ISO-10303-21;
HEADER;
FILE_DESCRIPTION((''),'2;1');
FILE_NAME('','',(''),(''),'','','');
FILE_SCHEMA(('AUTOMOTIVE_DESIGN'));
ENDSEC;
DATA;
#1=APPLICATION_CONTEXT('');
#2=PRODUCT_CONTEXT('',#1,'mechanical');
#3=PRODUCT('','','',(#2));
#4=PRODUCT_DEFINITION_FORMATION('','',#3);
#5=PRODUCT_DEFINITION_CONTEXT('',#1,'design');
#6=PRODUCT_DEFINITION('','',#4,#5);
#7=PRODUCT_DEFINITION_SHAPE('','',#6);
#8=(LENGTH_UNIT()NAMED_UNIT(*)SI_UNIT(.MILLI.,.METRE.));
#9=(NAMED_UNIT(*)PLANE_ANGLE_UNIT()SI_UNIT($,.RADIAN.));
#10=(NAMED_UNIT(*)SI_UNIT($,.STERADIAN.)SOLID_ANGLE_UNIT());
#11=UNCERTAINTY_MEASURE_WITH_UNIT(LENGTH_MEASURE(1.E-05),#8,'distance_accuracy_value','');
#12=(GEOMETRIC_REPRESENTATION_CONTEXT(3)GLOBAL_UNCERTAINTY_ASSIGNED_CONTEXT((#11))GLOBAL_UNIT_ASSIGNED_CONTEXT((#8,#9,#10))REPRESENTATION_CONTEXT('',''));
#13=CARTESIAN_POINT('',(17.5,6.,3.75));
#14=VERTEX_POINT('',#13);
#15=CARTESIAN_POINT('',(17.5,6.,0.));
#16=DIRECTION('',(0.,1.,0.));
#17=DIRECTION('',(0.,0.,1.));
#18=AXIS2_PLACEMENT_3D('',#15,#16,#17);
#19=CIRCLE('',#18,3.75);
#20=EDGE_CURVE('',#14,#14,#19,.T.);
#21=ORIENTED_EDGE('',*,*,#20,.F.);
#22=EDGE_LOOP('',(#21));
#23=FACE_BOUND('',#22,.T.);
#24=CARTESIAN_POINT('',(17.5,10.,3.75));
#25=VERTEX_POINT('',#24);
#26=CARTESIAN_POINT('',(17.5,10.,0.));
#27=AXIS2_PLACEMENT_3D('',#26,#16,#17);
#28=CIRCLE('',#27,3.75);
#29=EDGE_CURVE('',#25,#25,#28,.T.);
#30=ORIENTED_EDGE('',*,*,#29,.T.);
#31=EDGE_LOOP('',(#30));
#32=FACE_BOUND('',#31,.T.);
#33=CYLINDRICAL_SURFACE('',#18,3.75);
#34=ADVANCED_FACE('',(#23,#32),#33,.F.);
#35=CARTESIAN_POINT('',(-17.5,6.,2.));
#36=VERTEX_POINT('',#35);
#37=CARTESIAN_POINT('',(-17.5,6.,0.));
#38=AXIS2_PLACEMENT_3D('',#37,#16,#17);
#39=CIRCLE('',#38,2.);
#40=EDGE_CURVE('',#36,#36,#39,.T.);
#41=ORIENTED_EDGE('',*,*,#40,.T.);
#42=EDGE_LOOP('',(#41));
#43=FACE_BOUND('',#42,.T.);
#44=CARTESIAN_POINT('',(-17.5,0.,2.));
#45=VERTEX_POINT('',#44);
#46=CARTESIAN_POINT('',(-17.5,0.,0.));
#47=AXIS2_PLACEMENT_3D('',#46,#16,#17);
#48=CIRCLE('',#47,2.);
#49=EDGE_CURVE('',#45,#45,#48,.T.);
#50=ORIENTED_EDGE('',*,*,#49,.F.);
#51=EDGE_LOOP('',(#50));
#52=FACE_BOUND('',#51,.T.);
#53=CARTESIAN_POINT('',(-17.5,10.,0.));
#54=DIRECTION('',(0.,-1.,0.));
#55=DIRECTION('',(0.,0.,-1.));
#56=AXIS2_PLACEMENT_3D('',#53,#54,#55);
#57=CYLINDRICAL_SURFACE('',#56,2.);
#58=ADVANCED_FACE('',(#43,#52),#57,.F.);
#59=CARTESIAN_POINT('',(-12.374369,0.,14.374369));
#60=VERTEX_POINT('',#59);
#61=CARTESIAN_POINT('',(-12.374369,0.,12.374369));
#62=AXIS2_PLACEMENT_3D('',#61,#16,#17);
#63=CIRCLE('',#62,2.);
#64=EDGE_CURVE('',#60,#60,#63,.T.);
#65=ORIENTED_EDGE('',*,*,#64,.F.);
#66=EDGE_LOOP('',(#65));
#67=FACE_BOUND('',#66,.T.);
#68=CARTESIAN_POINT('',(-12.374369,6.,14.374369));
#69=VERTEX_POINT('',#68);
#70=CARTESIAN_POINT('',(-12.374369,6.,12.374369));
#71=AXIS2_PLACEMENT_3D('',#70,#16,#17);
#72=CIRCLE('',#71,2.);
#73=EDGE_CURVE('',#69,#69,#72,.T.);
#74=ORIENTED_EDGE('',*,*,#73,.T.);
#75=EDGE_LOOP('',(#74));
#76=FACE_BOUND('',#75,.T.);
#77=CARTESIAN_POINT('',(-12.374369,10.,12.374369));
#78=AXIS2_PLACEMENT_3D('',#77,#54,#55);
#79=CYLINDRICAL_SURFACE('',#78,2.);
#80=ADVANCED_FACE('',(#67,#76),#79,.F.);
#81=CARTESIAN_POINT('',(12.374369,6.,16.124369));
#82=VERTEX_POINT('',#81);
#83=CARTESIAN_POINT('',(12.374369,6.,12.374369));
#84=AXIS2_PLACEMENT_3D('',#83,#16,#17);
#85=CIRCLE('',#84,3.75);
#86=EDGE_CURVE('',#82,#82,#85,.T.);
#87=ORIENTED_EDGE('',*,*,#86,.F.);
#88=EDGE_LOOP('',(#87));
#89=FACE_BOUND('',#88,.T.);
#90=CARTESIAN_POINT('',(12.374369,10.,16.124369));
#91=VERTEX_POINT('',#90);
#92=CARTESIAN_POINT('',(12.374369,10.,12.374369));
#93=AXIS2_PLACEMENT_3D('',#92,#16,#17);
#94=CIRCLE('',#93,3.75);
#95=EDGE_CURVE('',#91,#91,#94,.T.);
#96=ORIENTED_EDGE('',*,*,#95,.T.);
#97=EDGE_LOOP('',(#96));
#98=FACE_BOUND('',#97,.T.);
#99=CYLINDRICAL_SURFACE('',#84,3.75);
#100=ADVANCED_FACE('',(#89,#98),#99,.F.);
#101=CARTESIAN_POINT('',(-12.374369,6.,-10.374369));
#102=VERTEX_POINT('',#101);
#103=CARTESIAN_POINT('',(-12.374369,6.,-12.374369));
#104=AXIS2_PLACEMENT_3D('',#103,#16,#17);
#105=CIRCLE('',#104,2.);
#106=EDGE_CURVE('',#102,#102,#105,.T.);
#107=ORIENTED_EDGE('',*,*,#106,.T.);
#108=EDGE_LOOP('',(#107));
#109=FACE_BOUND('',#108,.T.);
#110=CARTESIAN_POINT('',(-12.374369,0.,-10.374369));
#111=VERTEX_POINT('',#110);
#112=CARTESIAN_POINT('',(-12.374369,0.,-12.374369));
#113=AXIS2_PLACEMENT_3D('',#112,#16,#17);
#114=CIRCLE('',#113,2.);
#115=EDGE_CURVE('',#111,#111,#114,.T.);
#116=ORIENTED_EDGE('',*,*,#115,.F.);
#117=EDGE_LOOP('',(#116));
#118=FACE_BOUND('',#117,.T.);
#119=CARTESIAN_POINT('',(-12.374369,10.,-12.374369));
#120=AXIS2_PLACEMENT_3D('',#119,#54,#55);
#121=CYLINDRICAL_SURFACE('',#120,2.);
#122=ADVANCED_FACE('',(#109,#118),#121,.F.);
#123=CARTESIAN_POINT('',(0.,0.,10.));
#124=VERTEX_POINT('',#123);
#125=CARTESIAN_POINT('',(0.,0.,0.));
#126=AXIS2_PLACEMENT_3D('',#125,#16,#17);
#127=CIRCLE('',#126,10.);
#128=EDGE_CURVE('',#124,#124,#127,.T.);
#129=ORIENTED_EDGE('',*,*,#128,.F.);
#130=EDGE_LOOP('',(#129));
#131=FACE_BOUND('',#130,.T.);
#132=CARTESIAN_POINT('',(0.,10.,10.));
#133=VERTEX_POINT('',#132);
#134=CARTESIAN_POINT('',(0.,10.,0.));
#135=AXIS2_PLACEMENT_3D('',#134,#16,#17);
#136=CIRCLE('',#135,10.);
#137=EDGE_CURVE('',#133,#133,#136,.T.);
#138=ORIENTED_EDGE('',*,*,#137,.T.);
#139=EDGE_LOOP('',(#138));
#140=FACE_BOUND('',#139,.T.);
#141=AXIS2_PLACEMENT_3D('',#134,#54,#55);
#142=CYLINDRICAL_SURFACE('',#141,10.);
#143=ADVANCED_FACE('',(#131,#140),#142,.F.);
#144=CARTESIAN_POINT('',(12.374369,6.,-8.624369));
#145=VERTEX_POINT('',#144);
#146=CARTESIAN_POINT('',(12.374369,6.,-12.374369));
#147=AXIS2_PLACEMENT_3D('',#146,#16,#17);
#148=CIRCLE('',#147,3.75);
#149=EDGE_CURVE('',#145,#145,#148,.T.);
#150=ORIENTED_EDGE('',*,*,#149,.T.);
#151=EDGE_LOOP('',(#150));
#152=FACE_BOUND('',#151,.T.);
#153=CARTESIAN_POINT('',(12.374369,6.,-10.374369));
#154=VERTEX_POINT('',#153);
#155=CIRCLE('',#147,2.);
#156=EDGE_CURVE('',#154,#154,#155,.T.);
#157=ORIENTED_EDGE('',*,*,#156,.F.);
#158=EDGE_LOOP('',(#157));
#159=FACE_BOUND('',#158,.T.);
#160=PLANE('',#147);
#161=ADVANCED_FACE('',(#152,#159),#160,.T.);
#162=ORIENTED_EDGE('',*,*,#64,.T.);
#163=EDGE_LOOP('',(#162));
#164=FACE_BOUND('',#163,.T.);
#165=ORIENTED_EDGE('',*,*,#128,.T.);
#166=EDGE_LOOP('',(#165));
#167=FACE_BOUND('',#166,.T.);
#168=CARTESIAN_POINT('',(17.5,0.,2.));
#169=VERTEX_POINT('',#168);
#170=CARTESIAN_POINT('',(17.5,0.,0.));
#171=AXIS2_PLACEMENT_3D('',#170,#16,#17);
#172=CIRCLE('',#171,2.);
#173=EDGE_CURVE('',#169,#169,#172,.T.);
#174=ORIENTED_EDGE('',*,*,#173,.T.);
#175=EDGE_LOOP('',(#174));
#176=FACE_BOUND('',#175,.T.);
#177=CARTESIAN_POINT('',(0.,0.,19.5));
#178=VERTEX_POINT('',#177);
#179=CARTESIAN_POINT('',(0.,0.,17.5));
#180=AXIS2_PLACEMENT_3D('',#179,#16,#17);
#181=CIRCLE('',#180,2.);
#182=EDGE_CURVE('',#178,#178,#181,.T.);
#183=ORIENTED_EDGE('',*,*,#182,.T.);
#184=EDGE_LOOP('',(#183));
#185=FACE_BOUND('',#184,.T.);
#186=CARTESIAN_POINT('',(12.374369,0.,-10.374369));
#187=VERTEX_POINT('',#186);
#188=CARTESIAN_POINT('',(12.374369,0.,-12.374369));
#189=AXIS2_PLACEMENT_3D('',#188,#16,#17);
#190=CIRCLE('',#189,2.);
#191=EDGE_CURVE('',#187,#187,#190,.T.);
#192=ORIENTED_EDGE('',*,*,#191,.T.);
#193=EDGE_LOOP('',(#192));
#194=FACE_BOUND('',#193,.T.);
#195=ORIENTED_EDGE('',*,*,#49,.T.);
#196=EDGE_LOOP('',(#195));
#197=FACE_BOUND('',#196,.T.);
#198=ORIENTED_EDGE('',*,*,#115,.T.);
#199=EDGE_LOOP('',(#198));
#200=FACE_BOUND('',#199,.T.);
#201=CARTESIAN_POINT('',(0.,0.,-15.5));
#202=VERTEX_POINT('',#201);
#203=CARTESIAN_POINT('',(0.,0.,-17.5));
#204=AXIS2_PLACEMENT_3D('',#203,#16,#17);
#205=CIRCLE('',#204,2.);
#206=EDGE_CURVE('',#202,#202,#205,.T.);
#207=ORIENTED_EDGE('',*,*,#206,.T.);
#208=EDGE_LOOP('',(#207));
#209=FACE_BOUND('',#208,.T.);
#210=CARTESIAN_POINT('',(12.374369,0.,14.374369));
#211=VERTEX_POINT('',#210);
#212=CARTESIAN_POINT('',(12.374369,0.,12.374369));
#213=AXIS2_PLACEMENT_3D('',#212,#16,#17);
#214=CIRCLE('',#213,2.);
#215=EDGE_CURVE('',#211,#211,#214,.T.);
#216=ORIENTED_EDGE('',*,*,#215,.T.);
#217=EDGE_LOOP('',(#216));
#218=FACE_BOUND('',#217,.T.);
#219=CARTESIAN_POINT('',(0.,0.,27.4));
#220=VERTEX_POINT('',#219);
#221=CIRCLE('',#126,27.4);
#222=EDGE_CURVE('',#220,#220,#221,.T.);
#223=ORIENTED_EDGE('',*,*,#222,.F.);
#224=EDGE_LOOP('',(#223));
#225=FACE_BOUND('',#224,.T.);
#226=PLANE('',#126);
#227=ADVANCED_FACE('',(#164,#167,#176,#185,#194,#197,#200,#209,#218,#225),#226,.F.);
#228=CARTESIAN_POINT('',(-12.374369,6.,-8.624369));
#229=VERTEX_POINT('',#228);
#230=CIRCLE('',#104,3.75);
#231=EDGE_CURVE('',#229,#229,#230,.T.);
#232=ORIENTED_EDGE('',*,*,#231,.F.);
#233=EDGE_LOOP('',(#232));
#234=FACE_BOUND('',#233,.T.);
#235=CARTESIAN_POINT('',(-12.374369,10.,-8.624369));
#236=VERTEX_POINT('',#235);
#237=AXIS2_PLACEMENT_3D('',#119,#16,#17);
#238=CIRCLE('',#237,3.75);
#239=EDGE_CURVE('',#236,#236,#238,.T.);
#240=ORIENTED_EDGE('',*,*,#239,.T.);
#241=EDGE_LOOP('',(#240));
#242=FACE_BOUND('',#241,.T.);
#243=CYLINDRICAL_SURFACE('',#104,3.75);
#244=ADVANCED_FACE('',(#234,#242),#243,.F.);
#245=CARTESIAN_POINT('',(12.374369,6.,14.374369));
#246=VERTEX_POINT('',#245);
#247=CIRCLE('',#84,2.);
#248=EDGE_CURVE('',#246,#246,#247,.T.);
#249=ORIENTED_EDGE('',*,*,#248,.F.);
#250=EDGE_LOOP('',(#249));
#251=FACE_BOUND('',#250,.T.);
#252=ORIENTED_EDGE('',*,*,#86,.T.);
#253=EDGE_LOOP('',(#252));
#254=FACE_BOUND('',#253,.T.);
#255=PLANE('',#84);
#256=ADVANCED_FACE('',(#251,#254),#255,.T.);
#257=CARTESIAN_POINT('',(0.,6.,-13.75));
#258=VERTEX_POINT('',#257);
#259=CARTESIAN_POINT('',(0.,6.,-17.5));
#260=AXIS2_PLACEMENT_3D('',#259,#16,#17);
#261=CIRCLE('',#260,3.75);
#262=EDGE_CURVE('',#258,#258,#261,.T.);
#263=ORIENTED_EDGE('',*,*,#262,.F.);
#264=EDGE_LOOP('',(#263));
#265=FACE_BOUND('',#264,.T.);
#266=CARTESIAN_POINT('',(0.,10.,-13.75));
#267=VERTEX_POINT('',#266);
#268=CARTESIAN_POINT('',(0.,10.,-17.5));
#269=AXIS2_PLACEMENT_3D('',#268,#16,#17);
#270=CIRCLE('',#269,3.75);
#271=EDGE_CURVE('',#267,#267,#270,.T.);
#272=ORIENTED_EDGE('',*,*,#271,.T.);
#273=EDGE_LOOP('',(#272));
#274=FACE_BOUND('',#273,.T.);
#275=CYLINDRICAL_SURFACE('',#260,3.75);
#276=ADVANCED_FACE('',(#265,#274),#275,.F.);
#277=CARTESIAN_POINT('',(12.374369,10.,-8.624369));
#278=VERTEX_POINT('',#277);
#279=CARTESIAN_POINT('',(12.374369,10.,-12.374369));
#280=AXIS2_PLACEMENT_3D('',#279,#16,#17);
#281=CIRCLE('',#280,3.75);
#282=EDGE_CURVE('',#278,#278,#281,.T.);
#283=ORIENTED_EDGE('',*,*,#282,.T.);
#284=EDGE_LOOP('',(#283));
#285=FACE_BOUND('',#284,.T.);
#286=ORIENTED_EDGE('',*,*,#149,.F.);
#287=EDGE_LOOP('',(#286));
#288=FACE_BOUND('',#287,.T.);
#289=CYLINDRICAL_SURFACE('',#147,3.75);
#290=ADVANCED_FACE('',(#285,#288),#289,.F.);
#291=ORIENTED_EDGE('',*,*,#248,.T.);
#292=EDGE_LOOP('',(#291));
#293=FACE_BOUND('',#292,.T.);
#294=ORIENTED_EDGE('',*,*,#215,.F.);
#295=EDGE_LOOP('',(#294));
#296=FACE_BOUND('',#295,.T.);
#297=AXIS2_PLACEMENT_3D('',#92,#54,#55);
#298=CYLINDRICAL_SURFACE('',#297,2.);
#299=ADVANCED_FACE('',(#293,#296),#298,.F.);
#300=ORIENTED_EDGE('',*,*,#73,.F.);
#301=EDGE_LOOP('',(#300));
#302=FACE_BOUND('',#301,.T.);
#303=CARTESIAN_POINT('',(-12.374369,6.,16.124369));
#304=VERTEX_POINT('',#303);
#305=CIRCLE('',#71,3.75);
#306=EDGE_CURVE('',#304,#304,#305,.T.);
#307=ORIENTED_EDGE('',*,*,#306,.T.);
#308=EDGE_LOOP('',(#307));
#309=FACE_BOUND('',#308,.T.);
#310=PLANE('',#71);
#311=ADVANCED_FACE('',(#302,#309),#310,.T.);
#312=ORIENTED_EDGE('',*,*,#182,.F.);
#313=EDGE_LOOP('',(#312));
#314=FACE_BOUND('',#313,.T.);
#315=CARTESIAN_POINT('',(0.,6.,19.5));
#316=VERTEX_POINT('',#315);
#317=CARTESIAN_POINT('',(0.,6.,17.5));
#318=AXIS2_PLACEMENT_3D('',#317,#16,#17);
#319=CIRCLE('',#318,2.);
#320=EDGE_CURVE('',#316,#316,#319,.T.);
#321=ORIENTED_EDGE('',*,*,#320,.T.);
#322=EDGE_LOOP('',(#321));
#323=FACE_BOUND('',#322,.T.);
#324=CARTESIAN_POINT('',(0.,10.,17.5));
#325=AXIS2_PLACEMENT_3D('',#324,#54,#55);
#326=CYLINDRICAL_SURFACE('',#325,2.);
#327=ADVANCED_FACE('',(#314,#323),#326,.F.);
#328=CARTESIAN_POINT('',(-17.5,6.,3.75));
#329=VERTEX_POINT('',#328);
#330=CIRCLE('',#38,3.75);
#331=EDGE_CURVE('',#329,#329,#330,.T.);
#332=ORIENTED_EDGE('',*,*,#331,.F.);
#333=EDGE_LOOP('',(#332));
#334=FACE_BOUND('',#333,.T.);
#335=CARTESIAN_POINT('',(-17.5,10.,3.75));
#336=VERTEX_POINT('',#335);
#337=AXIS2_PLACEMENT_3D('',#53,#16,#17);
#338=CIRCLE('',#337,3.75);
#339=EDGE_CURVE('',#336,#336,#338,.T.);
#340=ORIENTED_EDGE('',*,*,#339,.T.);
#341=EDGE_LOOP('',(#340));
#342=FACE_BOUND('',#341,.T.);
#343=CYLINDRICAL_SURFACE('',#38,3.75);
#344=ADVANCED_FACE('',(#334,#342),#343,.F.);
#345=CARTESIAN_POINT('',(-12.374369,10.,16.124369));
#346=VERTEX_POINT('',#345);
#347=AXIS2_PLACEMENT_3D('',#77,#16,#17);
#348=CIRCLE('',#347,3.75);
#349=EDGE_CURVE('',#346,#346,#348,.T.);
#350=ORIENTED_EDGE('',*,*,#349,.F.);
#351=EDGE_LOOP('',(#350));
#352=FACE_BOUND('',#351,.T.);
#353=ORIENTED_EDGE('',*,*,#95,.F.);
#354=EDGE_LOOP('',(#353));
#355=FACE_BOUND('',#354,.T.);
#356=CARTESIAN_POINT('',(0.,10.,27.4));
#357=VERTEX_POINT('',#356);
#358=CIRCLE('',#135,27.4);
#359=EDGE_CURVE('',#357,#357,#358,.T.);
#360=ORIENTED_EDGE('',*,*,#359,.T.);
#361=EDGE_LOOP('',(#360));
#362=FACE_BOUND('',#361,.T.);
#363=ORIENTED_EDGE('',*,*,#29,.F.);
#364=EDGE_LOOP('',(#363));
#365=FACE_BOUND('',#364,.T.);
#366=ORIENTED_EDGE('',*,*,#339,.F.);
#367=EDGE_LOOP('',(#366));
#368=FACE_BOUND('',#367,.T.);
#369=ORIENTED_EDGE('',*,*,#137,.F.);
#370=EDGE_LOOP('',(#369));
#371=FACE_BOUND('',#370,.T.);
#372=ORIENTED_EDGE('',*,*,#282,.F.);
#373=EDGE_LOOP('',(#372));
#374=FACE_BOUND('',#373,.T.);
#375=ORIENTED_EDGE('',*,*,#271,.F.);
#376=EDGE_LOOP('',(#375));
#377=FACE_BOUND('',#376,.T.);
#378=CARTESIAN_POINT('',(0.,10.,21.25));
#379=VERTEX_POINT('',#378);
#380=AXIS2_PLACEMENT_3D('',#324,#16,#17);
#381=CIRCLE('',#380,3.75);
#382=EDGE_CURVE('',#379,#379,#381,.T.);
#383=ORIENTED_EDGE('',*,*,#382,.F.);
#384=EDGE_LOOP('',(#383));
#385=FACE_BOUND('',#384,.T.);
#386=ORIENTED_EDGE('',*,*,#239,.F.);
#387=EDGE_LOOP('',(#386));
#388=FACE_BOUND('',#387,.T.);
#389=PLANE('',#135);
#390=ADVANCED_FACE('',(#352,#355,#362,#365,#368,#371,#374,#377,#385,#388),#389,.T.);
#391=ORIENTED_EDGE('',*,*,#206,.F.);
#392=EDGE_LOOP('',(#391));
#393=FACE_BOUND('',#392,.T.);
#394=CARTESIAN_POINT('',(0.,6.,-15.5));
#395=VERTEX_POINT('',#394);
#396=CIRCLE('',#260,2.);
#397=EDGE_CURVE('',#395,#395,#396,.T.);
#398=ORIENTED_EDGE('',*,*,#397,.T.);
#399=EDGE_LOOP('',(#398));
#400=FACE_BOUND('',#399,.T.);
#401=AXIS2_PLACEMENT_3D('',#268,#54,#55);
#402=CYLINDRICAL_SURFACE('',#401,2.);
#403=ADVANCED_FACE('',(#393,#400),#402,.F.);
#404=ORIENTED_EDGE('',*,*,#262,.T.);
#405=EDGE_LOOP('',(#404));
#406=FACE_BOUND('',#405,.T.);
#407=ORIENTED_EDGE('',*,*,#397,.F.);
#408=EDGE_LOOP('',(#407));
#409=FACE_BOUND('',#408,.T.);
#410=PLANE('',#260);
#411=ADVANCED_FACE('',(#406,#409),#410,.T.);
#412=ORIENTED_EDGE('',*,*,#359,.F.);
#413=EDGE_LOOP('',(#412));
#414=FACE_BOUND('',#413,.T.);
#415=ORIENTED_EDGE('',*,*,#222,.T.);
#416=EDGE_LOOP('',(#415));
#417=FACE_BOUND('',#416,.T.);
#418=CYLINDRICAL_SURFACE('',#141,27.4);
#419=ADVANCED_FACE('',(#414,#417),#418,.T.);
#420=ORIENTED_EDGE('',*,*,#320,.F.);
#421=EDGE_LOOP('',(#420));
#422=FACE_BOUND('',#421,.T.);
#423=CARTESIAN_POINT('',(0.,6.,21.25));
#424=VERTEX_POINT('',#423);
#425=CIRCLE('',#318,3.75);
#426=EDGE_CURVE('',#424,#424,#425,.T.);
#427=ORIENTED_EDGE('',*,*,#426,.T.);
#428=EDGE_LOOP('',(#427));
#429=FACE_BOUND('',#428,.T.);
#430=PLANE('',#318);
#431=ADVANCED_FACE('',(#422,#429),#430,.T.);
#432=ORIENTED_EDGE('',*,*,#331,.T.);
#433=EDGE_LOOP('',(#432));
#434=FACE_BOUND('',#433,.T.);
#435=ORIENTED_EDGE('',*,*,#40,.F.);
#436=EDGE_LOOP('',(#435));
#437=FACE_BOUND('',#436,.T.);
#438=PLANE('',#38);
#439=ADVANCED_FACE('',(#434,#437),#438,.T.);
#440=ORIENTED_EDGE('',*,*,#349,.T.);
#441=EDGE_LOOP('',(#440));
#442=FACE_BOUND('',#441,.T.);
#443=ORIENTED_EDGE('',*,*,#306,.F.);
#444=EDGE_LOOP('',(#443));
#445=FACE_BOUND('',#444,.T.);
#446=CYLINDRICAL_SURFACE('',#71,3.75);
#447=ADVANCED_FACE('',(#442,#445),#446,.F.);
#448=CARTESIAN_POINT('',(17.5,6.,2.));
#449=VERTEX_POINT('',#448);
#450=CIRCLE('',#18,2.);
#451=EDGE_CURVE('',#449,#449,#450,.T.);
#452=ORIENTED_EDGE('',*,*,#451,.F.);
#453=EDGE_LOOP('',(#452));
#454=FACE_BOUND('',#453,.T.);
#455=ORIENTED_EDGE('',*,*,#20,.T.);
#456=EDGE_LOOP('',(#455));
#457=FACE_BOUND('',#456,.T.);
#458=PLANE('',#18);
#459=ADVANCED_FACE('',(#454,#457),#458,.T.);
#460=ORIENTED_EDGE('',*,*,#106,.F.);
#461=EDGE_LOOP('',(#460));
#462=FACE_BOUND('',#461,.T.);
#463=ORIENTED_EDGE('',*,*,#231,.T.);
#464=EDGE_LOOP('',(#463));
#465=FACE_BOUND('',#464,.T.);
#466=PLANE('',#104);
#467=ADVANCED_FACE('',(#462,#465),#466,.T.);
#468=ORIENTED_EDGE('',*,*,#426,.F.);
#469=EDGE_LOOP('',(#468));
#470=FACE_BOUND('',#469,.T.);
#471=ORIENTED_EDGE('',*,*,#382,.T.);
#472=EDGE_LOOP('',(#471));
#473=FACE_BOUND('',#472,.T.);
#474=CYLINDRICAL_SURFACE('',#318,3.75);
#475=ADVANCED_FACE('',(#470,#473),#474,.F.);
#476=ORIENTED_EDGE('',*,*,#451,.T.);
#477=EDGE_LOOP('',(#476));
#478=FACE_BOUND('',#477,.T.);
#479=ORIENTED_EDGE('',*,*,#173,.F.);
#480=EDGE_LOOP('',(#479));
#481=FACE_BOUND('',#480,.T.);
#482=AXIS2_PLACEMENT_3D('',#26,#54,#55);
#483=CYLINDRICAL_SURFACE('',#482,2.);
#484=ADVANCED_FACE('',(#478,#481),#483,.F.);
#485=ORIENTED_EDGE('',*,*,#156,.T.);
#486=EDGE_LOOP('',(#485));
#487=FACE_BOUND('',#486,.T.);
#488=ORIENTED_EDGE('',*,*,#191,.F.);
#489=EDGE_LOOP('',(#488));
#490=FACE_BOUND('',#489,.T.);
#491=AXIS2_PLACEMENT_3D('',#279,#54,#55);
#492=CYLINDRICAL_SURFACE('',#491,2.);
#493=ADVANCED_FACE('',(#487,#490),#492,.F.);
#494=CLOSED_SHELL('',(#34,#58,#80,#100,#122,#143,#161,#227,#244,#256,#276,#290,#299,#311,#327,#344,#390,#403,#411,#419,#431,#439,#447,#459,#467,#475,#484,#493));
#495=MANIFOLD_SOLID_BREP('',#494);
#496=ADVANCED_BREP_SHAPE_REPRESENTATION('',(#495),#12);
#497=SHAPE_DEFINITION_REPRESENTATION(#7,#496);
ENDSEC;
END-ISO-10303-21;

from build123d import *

# Parameters (mm, degrees)
SKETCH1_R           = 27.4
SKETCH1_R_2         = 10
SKETCH1_R_3         = 2
BOSS_EXTRUDE1_DEPTH = 10
SKETCH2_R           = 3.75
CUT_EXTRUDE1_DEPTH  = 4


with BuildPart() as part:
    # Sketch1 → Boss-Extrude1 (new body)
    with BuildSketch(Plane(origin=(0, 0, 0), x_dir=(1, 0, 0), z_dir=(0, 1, 0))):
        with Locations(Location((0, 0, 0), (0, 0, 270))):
            Circle(SKETCH1_R)
        with Locations(Location((0, 0, 0), (0, 0, 270))):
            Circle(SKETCH1_R_2, mode=Mode.SUBTRACT)
        with Locations(Location((0, 17.5, 0), (0, 0, 270))):
            Circle(SKETCH1_R_3, mode=Mode.SUBTRACT)
        with Locations(Location((12.374368671, 12.374368671, 0), (0, 0, 270))):
            Circle(SKETCH1_R_3, mode=Mode.SUBTRACT)
        with Locations(Location((17.5, 0, 0), (0, 0, 270))):
            Circle(SKETCH1_R_3, mode=Mode.SUBTRACT)
        with Locations(Location((12.374368671, -12.374368671, 0), (0, 0, 270))):
            Circle(SKETCH1_R_3, mode=Mode.SUBTRACT)
        with Locations(Location((0, -17.5, 0), (0, 0, 270))):
            Circle(SKETCH1_R_3, mode=Mode.SUBTRACT)
        with Locations(Location((-12.374368671, -12.374368671, 0), (0, 0, 270))):
            Circle(SKETCH1_R_3, mode=Mode.SUBTRACT)
        with Locations(Location((-17.5, 0, 0), (0, 0, 270))):
            Circle(SKETCH1_R_3, mode=Mode.SUBTRACT)
        with Locations(Location((-12.374368671, 12.374368671, 0), (0, 0, 270))):
            Circle(SKETCH1_R_3, mode=Mode.SUBTRACT)
    extrude(amount=BOSS_EXTRUDE1_DEPTH)

    # Sketch2 → Cut-Extrude1 (cut)
    with BuildSketch(Plane(origin=(0, 10, 0), x_dir=(1, 0, 0), z_dir=(0, 1, 0))):
        with Locations(Location((-12.374368671, 12.374368671, 0), (0, 0, 270))):
            Circle(SKETCH2_R)
        with Locations(Location((0, 17.5, 0), (0, 0, 270))):
            Circle(SKETCH2_R)
        with Locations(Location((12.374368671, 12.374368671, 0), (0, 0, 270))):
            Circle(SKETCH2_R)
        with Locations(Location((17.5, 0, 0), (0, 0, 270))):
            Circle(SKETCH2_R)
        with Locations(Location((12.374368671, -12.374368671, 0), (0, 0, 270))):
            Circle(SKETCH2_R)
        with Locations(Location((0, -17.5, 0), (0, 0, 270))):
            Circle(SKETCH2_R)
        with Locations(Location((-12.374368671, -12.374368671, 0), (0, 0, 270))):
            Circle(SKETCH2_R)
        with Locations(Location((-17.5, 0, 0), (0, 0, 270))):
            Circle(SKETCH2_R)
    extrude(amount=-CUT_EXTRUDE1_DEPTH, mode=Mode.SUBTRACT)


solid = part.part
